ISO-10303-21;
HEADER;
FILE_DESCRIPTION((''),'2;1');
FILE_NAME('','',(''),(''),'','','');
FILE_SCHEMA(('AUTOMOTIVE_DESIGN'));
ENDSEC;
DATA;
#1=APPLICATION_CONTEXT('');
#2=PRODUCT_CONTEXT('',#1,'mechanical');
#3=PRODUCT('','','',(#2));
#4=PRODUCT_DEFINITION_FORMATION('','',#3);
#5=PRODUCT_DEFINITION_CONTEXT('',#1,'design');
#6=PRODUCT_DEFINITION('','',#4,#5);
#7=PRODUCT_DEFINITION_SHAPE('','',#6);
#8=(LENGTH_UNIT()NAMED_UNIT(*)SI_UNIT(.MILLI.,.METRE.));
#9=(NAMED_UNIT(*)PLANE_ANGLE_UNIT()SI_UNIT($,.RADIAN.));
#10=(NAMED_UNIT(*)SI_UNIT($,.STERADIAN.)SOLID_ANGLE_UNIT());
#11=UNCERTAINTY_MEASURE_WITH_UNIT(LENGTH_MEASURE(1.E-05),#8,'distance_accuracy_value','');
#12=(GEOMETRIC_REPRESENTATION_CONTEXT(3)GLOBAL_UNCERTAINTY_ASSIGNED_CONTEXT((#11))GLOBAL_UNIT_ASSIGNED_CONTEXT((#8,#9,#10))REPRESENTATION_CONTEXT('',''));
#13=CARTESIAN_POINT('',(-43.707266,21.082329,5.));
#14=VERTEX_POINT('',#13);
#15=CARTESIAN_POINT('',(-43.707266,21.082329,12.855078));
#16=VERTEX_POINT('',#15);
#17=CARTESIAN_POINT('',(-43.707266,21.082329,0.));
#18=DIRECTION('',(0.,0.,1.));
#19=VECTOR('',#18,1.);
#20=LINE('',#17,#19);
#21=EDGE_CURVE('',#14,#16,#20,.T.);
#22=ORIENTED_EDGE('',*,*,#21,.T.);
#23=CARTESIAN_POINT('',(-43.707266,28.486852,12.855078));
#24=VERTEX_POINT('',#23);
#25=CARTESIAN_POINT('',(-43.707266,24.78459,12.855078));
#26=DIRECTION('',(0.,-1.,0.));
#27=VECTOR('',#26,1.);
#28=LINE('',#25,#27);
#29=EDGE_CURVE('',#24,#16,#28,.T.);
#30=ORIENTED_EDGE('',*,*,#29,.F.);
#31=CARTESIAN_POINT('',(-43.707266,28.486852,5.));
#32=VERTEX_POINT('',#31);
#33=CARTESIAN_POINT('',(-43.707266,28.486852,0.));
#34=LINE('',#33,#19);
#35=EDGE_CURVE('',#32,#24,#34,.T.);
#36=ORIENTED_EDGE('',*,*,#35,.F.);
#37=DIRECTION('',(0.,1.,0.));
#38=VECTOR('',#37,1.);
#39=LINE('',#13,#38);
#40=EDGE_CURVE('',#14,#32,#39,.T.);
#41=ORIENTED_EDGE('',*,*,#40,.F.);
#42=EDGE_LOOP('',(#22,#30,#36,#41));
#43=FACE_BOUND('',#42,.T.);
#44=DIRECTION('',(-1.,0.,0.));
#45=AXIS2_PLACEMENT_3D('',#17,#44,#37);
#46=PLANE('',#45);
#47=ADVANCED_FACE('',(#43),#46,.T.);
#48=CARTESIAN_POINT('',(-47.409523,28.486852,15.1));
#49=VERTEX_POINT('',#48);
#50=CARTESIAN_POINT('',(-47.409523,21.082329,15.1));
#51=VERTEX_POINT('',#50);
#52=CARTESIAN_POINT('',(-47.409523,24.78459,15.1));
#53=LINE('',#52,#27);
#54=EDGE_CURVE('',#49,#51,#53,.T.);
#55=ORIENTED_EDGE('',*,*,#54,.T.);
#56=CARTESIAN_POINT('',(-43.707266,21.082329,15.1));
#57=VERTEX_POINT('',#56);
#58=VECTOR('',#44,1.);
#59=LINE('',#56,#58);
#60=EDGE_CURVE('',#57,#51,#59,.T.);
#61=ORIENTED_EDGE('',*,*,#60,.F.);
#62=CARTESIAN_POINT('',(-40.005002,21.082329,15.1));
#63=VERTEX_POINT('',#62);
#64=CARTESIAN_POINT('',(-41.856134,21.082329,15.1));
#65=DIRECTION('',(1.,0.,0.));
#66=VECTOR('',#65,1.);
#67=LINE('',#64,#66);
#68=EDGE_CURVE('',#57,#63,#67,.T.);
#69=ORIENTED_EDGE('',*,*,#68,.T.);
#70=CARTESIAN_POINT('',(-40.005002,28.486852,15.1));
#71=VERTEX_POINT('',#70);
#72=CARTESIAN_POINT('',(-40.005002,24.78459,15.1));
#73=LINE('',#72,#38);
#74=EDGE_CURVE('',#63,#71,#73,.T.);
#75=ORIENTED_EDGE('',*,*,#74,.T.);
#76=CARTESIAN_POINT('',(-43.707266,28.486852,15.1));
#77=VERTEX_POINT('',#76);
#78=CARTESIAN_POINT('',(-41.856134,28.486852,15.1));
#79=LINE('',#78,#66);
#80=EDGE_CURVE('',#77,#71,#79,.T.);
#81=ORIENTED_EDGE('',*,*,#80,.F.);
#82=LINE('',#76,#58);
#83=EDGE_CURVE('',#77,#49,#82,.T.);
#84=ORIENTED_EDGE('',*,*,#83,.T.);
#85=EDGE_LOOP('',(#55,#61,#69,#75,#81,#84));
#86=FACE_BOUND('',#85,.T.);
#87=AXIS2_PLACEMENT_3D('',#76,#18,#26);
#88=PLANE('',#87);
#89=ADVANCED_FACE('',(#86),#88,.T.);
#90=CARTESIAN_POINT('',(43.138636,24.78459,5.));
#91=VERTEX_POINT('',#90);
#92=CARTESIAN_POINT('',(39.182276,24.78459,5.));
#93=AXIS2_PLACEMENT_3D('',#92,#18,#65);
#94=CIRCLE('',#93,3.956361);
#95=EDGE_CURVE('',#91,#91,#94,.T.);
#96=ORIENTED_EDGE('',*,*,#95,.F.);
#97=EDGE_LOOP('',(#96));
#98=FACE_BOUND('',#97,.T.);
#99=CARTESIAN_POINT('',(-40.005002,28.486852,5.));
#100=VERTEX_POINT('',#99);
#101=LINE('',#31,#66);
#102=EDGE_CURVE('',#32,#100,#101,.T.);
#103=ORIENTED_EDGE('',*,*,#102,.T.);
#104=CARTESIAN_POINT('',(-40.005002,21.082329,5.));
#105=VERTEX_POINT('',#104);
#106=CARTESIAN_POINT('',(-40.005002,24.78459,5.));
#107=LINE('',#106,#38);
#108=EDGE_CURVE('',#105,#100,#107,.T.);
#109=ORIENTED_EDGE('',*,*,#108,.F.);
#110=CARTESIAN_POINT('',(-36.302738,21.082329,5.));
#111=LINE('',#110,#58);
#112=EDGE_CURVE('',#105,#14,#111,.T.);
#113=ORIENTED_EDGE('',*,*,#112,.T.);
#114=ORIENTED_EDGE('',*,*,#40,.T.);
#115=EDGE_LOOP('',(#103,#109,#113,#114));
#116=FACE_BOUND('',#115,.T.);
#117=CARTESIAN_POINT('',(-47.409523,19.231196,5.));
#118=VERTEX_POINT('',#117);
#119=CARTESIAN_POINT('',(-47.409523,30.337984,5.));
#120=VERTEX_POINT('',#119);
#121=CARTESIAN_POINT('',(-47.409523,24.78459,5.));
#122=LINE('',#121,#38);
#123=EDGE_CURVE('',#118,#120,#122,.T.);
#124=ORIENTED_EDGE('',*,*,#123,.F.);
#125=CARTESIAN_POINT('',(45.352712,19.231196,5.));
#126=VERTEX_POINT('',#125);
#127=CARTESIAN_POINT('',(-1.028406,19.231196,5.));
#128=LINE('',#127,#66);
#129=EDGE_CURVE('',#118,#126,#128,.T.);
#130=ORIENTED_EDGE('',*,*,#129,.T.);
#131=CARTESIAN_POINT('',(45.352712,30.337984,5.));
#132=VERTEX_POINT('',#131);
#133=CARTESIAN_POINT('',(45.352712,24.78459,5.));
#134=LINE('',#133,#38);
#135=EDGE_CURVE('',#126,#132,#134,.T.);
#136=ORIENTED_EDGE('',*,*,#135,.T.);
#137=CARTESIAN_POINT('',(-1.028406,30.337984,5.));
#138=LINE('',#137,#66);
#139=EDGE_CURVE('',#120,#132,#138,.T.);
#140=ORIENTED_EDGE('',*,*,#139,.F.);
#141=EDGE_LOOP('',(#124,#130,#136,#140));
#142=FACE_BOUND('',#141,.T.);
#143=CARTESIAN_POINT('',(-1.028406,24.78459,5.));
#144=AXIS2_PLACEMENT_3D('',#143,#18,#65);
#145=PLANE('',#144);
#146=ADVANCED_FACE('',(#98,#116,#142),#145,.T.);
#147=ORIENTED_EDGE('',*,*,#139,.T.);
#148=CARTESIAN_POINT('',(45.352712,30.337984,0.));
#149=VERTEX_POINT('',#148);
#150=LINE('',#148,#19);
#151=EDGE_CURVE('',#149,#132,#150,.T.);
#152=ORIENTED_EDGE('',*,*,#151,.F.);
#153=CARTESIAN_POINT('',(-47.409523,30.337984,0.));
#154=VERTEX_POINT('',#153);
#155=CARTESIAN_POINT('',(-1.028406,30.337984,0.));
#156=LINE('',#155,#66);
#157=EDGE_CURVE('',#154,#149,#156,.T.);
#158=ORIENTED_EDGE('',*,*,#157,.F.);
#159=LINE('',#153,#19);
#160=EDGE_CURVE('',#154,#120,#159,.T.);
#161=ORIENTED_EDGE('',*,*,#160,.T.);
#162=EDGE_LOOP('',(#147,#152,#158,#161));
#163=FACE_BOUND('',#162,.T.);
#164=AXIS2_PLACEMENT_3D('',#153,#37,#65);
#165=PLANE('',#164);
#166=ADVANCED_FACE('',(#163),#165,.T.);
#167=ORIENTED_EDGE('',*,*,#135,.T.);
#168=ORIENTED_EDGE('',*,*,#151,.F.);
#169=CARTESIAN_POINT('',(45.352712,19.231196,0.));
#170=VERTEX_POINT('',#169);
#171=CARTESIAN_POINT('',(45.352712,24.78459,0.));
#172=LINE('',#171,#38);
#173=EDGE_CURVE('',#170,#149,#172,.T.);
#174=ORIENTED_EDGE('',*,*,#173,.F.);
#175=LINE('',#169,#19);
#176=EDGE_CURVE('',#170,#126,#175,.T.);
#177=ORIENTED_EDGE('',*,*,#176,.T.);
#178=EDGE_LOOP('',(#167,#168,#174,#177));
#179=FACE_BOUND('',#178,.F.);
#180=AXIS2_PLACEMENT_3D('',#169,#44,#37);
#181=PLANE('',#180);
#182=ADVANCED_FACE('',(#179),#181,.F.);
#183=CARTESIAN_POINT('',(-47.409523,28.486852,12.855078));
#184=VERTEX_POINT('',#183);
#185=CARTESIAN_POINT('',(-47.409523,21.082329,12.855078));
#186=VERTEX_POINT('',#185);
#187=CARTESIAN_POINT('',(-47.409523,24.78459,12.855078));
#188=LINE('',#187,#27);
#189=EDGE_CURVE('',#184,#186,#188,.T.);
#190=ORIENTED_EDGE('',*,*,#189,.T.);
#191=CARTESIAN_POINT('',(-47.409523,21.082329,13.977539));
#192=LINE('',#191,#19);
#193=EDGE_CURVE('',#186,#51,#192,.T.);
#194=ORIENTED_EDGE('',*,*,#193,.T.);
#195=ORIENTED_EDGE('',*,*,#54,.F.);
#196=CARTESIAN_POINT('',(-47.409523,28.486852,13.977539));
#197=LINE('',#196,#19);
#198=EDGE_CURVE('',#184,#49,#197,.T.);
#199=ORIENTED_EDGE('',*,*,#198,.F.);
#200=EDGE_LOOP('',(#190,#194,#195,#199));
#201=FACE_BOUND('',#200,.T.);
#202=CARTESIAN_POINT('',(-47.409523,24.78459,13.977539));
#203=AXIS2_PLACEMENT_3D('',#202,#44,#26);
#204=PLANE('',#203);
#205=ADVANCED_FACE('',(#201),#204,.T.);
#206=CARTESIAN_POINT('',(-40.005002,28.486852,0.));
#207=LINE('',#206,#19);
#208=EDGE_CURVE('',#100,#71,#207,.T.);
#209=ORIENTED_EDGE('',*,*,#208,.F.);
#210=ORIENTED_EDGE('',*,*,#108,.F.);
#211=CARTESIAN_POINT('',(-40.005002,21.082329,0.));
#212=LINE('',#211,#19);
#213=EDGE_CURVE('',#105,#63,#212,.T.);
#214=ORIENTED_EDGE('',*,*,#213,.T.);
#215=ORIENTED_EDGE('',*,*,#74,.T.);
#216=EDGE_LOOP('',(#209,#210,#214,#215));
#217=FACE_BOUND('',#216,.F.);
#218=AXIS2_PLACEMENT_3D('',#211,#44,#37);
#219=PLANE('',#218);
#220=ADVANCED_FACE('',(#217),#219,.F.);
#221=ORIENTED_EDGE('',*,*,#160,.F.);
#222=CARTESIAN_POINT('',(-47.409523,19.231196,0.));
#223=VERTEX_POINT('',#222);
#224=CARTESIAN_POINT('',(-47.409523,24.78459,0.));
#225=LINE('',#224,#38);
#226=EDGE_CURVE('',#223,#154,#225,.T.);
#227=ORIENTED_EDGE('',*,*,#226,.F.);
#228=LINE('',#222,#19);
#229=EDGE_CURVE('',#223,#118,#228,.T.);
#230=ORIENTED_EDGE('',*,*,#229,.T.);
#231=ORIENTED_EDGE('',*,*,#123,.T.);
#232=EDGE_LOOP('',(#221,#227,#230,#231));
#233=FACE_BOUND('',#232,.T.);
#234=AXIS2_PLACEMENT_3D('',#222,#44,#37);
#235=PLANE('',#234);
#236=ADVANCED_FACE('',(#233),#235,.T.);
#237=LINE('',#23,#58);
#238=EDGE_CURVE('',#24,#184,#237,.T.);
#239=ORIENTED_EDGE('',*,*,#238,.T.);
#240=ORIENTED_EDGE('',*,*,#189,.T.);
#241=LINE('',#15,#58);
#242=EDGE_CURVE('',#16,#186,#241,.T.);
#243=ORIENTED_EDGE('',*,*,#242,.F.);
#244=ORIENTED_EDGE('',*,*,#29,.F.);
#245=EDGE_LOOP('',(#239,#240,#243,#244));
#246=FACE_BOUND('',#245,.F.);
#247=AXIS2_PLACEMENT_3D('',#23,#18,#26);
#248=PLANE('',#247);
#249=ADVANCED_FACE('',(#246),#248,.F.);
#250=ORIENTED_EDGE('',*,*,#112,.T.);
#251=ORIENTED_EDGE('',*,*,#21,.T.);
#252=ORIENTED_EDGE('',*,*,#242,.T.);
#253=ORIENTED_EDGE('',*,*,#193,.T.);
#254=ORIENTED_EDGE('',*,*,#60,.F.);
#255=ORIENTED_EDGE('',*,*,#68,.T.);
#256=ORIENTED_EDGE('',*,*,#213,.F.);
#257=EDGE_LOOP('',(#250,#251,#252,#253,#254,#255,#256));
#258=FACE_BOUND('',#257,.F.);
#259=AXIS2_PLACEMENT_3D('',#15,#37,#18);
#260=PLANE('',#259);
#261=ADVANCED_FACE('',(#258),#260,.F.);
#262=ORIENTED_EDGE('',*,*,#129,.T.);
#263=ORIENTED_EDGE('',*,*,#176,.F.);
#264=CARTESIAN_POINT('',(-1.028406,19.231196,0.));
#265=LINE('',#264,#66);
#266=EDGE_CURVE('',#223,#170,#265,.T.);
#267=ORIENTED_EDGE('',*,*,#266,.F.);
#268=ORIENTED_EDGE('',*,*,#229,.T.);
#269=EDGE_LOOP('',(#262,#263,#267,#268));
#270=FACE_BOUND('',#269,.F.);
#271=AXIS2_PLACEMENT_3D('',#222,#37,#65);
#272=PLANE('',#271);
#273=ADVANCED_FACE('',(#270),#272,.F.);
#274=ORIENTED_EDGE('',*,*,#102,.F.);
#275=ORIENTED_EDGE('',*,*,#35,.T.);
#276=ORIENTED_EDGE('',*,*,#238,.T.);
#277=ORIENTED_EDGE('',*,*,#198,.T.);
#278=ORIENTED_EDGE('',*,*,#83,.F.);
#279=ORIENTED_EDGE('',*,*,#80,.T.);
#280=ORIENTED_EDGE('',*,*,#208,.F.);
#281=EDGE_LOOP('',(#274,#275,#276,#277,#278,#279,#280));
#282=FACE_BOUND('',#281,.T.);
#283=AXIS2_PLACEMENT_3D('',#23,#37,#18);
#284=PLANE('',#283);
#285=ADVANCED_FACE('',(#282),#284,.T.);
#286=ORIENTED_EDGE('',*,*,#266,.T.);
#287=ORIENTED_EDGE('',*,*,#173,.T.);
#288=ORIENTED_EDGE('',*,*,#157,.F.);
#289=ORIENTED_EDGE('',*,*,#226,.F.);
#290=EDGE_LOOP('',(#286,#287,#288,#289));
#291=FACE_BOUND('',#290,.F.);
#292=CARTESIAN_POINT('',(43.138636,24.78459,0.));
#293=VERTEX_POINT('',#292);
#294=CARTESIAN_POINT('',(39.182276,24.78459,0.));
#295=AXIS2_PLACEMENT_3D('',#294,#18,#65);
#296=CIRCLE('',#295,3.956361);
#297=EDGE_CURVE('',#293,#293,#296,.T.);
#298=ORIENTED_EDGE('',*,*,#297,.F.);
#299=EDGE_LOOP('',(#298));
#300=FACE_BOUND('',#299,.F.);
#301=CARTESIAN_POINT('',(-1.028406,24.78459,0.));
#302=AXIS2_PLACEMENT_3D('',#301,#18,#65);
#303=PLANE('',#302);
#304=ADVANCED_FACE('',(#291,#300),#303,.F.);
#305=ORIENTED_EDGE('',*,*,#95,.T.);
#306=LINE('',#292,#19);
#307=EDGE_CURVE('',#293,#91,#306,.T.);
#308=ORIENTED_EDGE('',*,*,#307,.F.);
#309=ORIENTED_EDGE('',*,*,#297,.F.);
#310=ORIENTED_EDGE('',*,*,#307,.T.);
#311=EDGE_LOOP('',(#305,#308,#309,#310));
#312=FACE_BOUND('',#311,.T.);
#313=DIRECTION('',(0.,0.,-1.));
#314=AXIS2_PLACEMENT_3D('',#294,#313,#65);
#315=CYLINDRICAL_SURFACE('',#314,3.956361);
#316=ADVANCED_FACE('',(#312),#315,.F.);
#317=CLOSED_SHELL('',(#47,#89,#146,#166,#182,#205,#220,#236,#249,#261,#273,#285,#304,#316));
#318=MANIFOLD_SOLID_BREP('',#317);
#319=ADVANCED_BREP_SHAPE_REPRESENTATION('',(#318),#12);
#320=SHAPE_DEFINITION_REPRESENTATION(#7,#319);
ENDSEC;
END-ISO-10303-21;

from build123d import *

# Parameters (mm, degrees)
F0_W     = 92.7622355521
F0_H     = 11.1067872494
F0_R     = 3.9563607237
F0_W_2   = 3.7022642791
F0_H_2   = 7.4045229703
F1_DEPTH = 5
F2_DEPTH = 15.1
F3_W     = 7.4045229703
F3_H     = 2.2449219063
F4_DEPTH = 3.7022568285


with BuildPart() as f1:
    # F0 (on Top) → F1 (new body)
    with BuildSketch(Plane.XY):
        with Locations((-1.0284055024, 24.7845901176)):
            Rectangle(F0_W, F0_H)
        Polygon((-40.0050021708, 28.4868516028), (-36.3027378917, 28.4868516028), (-36.3027378917, 21.0823286325), (-40.0050021708, 21.0823286325), (-43.7072664499, 21.0823286325), (-43.7072664499, 28.4868516028), align=None, mode=Mode.SUBTRACT)
        with Locations((39.1822755337, 24.7845901176)):
            Circle(F0_R, mode=Mode.SUBTRACT)
        with Locations((-38.1538700312, 24.7845901176)):
            Rectangle(F0_W_2, F0_H_2)
    extrude(amount=F1_DEPTH)

    # F0 (on Top) → F2 (join)
    with BuildSketch(Plane.XY):
        with Locations((-41.8561343104, 24.7845901176)):
            Rectangle(F0_W_2, F0_H_2)
    extrude(amount=F2_DEPTH)

    # F3 (on face) → F4 (join, through all)
    with BuildSketch(Plane(origin=(-43.7072664499, 0, 0), x_dir=(0, -1, 0), z_dir=(-1, 0, 0))):
        with Locations((-24.7845901176, 13.9775390469)):
            Rectangle(F3_W, F3_H)
    extrude(amount=F4_DEPTH)


solid = f1.part
